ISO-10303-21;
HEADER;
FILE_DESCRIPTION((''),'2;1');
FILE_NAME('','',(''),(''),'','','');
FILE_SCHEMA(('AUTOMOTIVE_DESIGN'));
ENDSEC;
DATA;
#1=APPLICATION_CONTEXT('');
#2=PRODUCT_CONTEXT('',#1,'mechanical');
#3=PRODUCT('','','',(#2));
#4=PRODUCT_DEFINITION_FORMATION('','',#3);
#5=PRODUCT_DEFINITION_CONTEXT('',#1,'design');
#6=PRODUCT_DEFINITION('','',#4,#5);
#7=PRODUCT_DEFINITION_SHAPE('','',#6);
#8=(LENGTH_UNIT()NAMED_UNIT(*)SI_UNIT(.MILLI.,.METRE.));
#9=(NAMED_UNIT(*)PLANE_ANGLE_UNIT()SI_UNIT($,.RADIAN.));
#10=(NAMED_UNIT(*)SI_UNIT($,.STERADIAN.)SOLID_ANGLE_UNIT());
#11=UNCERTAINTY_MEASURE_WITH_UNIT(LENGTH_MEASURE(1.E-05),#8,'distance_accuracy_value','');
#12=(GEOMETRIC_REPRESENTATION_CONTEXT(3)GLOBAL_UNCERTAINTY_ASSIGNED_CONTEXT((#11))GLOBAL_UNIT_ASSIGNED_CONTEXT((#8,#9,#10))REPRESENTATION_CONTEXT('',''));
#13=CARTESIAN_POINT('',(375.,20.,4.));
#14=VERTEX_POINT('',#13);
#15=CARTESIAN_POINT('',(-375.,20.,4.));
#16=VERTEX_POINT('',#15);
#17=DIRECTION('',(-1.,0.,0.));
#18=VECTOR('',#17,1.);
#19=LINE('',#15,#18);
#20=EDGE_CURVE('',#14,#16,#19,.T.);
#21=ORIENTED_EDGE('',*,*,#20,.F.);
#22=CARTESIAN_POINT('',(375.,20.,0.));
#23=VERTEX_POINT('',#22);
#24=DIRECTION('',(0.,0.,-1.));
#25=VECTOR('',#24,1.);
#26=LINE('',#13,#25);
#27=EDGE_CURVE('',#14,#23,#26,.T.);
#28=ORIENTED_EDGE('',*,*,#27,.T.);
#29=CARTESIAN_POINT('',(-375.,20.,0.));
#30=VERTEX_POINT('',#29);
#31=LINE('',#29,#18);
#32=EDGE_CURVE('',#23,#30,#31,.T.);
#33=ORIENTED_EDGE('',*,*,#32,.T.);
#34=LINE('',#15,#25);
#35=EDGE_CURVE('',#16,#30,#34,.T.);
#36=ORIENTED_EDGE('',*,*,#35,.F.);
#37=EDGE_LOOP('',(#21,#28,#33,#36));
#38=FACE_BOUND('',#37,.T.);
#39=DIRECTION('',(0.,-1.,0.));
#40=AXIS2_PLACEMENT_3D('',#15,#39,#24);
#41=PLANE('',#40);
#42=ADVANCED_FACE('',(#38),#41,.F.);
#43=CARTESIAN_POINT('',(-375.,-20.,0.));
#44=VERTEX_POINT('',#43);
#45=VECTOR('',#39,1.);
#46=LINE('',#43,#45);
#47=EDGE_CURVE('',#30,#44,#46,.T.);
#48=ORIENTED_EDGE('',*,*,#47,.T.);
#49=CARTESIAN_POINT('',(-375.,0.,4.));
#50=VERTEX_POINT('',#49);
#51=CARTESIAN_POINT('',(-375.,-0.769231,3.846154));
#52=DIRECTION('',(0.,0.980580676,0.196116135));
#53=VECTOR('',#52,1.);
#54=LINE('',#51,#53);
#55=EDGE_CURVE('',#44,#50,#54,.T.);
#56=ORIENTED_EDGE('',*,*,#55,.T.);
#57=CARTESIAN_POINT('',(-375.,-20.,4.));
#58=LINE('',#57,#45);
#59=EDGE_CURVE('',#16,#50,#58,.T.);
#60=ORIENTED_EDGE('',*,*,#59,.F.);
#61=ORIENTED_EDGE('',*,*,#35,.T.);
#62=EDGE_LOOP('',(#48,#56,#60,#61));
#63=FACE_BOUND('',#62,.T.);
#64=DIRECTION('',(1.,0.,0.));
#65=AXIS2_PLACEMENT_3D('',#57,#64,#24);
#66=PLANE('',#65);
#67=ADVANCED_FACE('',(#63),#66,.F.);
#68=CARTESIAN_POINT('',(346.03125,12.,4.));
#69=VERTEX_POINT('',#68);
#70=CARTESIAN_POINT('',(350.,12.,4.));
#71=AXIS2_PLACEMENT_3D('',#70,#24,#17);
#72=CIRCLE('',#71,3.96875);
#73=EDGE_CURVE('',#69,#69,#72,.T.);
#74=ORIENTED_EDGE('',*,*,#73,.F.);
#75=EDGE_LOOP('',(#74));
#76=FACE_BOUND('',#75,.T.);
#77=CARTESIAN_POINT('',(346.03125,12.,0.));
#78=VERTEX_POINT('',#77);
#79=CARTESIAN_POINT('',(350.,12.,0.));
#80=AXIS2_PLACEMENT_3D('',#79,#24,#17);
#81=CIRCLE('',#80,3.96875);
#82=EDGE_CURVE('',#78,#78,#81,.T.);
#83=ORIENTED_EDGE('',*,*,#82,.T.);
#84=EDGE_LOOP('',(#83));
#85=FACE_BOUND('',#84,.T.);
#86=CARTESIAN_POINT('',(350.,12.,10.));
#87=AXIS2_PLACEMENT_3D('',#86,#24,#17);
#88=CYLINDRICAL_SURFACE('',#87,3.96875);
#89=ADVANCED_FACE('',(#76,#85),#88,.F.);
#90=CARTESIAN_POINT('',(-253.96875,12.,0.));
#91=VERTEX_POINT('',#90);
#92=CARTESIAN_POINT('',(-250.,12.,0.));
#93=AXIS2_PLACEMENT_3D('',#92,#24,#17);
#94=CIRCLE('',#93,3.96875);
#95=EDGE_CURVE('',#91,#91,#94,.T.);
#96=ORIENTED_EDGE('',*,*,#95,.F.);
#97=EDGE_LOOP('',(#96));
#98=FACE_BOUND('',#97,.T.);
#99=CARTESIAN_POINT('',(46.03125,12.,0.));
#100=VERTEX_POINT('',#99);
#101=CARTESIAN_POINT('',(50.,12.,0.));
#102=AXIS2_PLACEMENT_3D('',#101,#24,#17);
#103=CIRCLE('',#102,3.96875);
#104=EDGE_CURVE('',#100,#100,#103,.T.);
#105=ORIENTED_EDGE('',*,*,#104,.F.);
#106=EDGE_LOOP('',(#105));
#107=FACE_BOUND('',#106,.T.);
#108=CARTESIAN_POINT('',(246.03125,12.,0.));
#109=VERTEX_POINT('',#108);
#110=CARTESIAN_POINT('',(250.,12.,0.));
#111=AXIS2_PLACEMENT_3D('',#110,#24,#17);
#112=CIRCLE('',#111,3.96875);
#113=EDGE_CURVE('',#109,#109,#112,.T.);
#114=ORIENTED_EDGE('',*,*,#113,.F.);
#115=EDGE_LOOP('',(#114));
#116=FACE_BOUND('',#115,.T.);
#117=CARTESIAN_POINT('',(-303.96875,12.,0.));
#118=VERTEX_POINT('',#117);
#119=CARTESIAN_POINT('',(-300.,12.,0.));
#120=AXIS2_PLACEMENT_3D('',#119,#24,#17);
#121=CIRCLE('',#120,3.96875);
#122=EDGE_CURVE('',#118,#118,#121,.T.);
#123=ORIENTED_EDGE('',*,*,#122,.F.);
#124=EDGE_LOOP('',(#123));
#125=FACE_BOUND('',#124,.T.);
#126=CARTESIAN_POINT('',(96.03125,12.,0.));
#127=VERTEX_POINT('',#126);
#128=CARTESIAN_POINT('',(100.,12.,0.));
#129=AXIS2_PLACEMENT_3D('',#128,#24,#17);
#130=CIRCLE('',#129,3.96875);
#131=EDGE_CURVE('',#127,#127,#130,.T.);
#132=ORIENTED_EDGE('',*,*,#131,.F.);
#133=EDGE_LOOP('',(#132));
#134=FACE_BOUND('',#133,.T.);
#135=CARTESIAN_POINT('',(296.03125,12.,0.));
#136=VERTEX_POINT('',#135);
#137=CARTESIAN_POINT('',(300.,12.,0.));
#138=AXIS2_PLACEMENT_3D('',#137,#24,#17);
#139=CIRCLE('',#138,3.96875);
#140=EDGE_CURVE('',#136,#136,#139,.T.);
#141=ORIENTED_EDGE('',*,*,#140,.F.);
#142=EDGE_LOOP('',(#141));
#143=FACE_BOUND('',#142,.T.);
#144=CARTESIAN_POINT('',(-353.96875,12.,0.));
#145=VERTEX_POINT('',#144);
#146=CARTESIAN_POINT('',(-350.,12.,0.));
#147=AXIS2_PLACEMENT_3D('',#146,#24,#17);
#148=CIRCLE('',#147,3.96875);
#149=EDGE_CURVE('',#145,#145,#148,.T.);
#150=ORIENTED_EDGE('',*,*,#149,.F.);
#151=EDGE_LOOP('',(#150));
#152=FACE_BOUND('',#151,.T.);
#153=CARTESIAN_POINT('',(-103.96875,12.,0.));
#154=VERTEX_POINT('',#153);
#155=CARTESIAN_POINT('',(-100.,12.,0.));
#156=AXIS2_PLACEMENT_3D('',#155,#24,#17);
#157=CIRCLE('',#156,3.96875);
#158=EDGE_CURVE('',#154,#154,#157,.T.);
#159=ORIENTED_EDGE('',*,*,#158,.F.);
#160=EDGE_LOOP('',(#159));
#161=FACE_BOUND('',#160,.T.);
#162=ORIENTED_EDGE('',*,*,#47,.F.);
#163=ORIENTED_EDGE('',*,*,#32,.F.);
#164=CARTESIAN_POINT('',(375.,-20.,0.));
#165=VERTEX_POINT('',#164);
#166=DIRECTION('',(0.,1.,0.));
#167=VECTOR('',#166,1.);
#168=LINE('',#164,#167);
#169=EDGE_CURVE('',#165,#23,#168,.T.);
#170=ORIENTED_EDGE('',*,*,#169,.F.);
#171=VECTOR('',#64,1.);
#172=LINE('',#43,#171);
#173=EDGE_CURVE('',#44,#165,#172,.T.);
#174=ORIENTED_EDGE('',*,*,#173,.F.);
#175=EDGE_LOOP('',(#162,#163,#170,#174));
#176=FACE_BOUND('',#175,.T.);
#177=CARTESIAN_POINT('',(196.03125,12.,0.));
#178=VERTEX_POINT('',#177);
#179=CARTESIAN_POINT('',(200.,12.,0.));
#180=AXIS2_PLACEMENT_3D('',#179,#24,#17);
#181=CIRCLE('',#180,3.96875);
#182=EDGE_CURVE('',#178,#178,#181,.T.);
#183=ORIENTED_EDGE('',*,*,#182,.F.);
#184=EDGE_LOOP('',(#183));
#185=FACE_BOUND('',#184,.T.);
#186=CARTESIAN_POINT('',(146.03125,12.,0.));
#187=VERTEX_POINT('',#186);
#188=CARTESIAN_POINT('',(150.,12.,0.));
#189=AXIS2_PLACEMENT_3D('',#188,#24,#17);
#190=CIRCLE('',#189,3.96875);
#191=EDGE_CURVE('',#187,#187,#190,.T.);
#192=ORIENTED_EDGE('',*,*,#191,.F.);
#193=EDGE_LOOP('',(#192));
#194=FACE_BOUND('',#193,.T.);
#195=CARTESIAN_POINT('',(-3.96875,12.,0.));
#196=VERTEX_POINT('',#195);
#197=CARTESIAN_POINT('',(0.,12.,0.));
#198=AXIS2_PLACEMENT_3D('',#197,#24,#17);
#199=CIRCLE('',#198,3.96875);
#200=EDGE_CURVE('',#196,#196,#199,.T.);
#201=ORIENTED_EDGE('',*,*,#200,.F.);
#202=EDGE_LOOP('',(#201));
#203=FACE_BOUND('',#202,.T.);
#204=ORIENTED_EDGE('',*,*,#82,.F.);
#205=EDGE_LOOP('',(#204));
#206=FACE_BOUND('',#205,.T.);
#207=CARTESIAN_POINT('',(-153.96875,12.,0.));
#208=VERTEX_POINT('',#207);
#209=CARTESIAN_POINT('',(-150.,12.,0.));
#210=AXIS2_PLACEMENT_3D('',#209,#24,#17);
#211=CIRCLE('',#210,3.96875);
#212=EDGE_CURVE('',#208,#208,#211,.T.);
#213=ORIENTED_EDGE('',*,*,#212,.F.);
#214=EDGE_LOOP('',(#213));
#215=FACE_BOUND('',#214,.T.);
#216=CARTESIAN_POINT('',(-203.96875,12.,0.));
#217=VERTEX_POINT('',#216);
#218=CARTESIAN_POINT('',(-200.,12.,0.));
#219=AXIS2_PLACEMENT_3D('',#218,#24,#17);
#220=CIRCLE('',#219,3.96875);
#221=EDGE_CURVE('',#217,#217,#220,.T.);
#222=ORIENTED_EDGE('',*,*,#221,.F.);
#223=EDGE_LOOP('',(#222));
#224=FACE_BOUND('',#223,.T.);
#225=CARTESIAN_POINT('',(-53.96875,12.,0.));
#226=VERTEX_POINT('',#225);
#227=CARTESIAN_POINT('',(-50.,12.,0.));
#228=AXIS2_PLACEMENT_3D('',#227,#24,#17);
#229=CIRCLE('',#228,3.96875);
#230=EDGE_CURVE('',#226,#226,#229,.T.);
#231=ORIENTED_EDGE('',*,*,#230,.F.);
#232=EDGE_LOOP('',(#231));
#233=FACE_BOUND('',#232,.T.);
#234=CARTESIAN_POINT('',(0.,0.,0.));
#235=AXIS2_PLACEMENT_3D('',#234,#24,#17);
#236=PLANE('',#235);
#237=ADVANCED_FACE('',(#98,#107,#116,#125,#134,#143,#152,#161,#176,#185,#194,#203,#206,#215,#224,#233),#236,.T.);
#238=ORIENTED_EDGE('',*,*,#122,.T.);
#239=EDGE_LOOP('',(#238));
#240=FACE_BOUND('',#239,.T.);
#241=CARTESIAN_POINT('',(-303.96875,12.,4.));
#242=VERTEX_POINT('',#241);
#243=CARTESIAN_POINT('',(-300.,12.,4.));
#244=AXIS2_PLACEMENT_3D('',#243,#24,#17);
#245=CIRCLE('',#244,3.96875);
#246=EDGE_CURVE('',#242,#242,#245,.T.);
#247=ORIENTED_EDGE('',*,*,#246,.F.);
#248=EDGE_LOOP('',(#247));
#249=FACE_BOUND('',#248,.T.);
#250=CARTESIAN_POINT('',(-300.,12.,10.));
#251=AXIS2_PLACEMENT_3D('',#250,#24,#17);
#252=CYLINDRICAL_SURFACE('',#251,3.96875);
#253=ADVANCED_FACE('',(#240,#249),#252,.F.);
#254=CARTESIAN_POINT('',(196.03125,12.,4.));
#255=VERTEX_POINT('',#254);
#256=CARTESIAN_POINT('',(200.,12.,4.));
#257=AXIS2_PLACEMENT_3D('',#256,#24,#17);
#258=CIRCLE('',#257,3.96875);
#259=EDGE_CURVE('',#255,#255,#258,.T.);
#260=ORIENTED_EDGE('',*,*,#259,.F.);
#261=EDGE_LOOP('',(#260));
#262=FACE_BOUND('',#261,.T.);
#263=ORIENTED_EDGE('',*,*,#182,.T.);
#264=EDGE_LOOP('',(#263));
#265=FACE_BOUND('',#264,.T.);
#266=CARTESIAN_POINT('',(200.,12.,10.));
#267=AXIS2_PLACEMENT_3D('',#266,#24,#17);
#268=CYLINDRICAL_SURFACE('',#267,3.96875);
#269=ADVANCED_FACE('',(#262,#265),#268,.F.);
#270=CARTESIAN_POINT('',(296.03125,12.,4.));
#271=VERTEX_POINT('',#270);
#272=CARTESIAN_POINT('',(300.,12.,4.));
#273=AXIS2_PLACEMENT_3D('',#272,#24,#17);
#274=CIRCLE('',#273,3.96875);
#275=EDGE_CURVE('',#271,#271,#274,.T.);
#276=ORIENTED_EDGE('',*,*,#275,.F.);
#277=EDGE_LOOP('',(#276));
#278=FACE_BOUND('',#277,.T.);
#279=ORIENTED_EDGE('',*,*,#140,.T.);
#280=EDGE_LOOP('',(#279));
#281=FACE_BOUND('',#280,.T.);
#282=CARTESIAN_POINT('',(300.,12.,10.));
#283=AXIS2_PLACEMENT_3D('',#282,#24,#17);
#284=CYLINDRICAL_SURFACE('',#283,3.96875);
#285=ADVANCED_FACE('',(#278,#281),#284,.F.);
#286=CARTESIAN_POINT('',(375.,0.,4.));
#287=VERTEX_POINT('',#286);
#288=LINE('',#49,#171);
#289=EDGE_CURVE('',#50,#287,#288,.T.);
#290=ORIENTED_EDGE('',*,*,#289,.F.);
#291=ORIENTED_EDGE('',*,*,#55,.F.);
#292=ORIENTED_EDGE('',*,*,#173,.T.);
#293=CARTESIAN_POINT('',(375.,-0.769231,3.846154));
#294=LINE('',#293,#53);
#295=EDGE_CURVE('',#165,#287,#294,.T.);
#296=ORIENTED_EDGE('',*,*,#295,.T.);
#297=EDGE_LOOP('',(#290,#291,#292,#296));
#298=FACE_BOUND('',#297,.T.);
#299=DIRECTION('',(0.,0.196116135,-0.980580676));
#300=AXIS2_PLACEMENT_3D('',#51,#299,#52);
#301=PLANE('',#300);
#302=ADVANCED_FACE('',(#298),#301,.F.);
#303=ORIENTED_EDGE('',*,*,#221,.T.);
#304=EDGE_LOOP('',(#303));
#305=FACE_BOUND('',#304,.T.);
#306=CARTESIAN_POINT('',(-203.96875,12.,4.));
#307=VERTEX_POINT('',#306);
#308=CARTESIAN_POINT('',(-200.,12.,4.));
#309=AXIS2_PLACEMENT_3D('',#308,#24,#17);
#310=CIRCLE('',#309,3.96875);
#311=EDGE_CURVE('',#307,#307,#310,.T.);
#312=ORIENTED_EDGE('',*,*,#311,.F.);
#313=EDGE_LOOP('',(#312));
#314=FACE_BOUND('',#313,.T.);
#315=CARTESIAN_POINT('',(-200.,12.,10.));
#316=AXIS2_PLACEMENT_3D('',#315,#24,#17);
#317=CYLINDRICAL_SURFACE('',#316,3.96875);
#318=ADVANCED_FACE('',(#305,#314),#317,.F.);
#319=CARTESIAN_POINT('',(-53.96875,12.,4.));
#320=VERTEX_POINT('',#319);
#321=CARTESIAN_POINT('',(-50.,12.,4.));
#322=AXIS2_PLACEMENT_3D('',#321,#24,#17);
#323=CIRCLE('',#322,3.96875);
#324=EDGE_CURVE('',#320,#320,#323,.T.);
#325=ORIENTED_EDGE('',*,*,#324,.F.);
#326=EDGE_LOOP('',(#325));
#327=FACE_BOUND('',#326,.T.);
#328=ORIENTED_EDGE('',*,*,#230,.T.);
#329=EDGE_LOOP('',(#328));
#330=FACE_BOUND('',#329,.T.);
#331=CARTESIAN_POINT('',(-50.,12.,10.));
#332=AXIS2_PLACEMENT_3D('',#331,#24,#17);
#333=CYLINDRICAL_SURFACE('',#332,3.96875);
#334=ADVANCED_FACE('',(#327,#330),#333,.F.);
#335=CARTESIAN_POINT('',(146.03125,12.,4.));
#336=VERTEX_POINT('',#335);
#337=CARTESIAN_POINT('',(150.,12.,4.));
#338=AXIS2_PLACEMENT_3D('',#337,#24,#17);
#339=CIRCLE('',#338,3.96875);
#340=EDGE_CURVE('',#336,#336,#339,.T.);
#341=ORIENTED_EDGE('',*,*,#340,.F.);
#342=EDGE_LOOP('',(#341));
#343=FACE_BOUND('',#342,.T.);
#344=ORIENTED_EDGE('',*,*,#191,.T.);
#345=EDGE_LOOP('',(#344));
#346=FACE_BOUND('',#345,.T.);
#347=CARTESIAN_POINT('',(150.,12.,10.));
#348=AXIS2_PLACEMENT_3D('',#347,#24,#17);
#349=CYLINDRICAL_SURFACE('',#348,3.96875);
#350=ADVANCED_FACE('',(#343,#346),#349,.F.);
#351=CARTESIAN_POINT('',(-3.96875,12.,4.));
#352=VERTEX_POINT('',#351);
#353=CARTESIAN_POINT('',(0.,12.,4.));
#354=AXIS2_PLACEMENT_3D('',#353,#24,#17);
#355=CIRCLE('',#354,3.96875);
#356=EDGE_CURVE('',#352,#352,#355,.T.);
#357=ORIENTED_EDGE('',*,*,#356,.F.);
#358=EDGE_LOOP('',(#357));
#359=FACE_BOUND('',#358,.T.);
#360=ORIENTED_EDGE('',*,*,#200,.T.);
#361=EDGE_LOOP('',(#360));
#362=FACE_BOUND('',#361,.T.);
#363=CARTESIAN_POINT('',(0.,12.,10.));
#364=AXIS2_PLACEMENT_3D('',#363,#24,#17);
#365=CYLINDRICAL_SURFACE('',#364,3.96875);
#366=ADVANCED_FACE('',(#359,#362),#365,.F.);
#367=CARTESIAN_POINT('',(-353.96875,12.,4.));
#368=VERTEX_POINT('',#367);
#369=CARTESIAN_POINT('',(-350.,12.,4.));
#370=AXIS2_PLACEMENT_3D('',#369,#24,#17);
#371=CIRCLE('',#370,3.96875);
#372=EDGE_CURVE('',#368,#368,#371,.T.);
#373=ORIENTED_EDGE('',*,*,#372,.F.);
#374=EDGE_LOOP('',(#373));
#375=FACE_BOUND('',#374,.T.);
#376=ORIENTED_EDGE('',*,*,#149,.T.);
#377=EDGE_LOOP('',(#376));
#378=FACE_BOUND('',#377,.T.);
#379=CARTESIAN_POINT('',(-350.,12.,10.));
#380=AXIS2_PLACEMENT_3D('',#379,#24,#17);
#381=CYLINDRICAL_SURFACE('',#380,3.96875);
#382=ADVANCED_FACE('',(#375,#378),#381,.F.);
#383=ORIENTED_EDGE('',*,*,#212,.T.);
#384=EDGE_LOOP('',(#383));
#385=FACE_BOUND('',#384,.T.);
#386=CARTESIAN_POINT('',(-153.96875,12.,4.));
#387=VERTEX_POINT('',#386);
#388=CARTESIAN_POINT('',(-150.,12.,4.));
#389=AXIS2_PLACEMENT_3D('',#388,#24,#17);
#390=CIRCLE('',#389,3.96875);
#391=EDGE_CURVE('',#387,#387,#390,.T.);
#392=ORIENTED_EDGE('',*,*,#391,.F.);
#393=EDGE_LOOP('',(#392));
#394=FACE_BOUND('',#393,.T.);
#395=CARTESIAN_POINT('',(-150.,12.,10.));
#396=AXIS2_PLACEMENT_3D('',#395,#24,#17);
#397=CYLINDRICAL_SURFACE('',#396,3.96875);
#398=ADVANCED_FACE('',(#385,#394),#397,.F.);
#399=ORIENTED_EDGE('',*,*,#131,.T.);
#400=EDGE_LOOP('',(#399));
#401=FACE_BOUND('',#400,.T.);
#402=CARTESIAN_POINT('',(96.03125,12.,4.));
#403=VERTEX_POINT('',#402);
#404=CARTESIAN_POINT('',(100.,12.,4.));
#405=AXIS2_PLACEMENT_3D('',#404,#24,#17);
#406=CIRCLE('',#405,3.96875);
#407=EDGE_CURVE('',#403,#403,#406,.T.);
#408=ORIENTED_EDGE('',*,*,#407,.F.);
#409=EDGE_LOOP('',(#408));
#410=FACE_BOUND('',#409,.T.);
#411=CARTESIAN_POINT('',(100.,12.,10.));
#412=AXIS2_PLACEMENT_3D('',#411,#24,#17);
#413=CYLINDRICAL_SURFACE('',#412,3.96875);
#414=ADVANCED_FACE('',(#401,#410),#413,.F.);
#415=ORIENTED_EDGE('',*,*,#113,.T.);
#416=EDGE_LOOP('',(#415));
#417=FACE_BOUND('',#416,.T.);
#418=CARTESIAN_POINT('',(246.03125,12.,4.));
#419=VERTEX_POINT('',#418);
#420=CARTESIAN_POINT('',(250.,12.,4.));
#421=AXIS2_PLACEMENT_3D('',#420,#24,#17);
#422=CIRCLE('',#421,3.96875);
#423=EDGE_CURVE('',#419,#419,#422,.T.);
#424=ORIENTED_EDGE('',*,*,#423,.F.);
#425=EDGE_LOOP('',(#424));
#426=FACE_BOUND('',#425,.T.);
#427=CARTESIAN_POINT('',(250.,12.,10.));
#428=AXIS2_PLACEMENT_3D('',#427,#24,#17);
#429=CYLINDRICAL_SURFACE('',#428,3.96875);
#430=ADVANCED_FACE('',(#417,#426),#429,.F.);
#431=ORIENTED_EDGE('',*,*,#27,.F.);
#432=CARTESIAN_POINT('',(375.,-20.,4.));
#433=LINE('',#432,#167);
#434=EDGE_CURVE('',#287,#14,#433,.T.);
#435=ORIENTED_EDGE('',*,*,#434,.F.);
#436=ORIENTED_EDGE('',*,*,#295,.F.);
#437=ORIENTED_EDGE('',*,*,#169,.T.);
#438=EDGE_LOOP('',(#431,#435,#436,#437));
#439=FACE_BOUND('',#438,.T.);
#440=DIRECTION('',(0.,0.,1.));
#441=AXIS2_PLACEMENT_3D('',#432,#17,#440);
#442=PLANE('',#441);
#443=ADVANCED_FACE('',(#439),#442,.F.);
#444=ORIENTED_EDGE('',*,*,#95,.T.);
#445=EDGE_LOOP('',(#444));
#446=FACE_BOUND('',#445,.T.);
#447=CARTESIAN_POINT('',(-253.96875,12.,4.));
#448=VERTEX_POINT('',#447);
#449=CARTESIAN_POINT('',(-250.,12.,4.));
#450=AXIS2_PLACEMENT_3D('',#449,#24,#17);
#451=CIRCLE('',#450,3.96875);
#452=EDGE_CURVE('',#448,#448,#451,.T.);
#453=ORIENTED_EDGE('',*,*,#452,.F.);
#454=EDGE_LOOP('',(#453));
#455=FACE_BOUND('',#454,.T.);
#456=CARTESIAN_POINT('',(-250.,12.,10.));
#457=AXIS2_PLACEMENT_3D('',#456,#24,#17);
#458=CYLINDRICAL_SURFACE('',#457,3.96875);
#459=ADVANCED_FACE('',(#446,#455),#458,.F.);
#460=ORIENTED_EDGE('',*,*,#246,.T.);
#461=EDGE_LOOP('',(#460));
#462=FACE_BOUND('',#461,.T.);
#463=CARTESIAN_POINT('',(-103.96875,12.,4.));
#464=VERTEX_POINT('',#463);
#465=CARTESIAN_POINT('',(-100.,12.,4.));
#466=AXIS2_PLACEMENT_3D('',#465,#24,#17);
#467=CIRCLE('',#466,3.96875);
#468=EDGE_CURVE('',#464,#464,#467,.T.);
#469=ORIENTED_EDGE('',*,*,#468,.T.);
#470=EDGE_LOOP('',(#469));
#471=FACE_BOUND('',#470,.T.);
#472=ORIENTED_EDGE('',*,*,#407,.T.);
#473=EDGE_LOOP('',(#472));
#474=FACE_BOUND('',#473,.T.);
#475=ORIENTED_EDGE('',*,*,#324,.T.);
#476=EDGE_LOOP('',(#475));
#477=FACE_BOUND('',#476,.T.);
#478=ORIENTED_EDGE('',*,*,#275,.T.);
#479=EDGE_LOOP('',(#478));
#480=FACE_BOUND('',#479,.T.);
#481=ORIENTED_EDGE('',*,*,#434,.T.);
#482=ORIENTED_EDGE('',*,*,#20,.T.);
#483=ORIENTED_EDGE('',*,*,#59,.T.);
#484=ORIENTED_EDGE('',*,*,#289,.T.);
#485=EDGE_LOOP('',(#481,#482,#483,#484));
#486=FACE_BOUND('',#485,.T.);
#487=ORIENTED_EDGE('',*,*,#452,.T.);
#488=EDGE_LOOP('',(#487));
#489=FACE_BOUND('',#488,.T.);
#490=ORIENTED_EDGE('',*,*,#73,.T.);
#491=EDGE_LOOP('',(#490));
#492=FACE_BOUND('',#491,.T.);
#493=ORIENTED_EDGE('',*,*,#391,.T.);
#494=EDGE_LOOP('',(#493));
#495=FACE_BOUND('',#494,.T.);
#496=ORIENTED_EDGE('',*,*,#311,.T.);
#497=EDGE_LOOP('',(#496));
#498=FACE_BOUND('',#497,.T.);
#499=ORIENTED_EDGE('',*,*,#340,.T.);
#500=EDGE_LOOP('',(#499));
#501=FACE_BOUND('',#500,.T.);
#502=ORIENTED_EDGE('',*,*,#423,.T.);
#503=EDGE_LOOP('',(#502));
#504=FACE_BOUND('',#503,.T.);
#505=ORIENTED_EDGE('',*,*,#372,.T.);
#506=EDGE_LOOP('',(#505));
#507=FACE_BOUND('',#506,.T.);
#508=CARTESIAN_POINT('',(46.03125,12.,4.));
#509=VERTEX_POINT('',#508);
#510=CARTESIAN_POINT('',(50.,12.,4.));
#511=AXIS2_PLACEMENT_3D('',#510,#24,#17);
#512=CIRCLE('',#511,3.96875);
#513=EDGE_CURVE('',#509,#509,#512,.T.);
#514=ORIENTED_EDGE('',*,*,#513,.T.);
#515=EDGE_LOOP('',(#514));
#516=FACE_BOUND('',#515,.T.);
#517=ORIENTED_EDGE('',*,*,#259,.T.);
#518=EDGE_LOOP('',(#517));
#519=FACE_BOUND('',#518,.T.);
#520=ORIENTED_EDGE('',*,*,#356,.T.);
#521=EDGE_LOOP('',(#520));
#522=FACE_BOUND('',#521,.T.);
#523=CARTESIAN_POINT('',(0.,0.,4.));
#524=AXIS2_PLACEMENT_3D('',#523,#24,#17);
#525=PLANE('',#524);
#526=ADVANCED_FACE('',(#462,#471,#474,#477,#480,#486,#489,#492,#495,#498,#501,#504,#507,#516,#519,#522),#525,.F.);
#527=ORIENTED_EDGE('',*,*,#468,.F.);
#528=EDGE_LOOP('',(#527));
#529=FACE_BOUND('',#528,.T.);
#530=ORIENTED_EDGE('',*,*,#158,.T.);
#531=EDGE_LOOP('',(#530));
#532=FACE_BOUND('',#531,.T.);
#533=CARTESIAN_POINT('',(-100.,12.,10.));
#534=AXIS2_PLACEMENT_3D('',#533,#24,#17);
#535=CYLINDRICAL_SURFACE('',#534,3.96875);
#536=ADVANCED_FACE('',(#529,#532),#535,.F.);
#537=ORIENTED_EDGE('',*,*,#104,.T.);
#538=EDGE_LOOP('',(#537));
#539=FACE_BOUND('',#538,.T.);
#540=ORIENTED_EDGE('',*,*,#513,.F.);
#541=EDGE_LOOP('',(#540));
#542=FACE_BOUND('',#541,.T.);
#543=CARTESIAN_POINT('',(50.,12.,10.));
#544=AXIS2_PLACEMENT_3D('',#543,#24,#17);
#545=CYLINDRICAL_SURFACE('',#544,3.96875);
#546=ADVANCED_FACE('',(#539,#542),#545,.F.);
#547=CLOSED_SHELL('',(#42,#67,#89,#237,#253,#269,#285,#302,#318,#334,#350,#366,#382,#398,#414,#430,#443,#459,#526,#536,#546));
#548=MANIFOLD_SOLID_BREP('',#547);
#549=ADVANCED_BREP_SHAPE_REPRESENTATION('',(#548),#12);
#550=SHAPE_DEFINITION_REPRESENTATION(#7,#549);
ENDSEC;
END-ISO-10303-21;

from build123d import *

# Parameters (mm, degrees)
CROQUIS1_W              = 750
CROQUIS1_H              = 40
SALIENTE_EXTRUIR1_DEPTH = 4
CORTAR_EXTRUIR1_DEPTH   = 751
CROQUIS3_R              = 3.96875
CORTAR_EXTRUIR2_DEPTH   = 10


with BuildPart() as part:
    # Croquis1 → Saliente-Extruir1 (new body)
    with BuildSketch(Plane.XY):
        Rectangle(CROQUIS1_W, CROQUIS1_H)
    extrude(amount=SALIENTE_EXTRUIR1_DEPTH)

    # Croquis2 → Cortar-Extruir1 (cut, through all)
    with BuildSketch(Plane(origin=(375, 0, 0), x_dir=(0, 0, -1), z_dir=(1, 0, 0))):
        Polygon((-4, -20), (0, -20), (-4, 0), align=None)
    extrude(amount=-CORTAR_EXTRUIR1_DEPTH, mode=Mode.SUBTRACT)

    # Croquis3 → Cortar-Extruir2 (cut)
    with BuildSketch(Plane(origin=(0, 0, 0), x_dir=(-1, 0, 0), z_dir=(0, 0, -1))):
        with Locations((-350, 12)):
            Circle(CROQUIS3_R)
        with Locations((-300, 12)):
            Circle(CROQUIS3_R)
        with Locations((-250, 12)):
            Circle(CROQUIS3_R)
        with Locations((-200, 12)):
            Circle(CROQUIS3_R)
        with Locations((-150, 12)):
            Circle(CROQUIS3_R)
        with Locations((-100, 12)):
            Circle(CROQUIS3_R)
        with Locations((-50, 12)):
            Circle(CROQUIS3_R)
        with Locations((0, 12)):
            Circle(CROQUIS3_R)
        with Locations((50, 12)):
            Circle(CROQUIS3_R)
        with Locations((100, 12)):
            Circle(CROQUIS3_R)
        with Locations((150, 12)):
            Circle(CROQUIS3_R)
        with Locations((200, 12)):
            Circle(CROQUIS3_R)
        with Locations((250, 12)):
            Circle(CROQUIS3_R)
        with Locations((300, 12)):
            Circle(CROQUIS3_R)
        with Locations((350, 12)):
            Circle(CROQUIS3_R)
    extrude(amount=-CORTAR_EXTRUIR2_DEPTH, mode=Mode.SUBTRACT)


solid = part.part
